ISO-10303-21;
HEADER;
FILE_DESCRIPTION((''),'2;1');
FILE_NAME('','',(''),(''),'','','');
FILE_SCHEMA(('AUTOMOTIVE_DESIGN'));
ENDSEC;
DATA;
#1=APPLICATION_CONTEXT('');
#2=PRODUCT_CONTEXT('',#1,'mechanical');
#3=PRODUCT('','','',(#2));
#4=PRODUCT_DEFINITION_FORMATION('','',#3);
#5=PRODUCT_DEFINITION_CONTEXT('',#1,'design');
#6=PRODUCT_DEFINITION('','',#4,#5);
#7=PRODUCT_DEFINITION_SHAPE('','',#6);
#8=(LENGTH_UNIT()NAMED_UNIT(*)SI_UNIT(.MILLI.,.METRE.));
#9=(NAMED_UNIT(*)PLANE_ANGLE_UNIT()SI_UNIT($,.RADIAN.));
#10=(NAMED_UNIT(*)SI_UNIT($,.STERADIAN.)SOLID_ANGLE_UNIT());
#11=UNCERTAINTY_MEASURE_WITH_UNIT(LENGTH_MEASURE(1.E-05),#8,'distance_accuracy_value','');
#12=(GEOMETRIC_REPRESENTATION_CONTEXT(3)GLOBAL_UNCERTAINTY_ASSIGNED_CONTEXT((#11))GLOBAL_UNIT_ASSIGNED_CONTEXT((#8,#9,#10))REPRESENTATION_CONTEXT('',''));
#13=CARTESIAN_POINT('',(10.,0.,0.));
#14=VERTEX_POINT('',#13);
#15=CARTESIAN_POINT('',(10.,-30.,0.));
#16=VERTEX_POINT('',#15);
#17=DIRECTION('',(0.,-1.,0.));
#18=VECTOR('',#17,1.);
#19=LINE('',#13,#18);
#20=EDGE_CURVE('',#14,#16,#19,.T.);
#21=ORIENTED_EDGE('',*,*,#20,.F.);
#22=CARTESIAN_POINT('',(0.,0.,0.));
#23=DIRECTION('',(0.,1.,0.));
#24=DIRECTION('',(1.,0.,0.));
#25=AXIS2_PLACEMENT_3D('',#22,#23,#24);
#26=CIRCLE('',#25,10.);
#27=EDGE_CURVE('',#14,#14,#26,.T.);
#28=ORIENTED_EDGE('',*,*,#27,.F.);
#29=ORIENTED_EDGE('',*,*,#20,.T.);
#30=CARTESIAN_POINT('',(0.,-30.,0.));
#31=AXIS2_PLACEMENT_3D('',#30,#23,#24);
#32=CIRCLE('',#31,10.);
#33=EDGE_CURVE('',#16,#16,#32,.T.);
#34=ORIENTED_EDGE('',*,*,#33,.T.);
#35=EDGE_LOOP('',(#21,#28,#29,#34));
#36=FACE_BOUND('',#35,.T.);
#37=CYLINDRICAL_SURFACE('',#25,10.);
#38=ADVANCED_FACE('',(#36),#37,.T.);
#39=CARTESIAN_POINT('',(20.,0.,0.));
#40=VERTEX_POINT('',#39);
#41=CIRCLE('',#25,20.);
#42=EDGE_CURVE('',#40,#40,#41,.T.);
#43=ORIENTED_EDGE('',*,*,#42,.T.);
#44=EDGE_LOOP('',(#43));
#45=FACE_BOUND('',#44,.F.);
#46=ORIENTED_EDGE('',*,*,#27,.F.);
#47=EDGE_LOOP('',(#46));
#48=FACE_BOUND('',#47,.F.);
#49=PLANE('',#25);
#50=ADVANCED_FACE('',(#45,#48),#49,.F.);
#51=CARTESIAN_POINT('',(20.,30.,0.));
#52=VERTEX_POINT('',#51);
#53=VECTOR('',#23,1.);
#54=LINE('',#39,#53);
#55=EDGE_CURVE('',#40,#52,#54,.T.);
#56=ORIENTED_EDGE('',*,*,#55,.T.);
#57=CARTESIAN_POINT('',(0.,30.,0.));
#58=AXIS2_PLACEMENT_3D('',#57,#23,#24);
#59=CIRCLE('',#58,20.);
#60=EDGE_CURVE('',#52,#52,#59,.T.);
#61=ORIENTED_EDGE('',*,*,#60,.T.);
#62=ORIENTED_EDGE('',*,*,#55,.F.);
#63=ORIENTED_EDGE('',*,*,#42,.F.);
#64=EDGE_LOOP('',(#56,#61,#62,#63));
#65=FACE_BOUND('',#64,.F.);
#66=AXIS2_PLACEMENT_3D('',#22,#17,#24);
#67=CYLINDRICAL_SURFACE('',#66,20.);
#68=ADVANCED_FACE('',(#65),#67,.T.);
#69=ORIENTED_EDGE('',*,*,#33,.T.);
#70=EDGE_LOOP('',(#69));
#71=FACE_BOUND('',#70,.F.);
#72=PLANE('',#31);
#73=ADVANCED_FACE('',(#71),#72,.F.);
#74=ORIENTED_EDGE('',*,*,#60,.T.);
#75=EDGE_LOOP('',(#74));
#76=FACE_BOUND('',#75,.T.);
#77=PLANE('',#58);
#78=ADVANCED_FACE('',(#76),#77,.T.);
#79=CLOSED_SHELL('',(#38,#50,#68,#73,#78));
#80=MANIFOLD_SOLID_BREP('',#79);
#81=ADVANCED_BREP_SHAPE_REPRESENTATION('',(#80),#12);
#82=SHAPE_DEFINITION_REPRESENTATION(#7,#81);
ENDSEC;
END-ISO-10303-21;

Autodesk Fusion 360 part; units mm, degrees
sketch "Sketch1" plane through (0, 0, 0) normal (0, 1, 0) x (1, 0, 0)
  circle A0 centre (0, 0) radius 20
  dimension "d2" = 40
extrude "Extrude1" add sketch "Sketch1" along normal blind 30
sketch "Sketch2" plane through (0, 0, 0) normal (0, 1, 0) x (1, 0, 0)
  circle A0 centre (0, 0) radius 10
  dimension "d5" = 20
extrude "Extrude2" add sketch "Sketch2" against normal blind 30
